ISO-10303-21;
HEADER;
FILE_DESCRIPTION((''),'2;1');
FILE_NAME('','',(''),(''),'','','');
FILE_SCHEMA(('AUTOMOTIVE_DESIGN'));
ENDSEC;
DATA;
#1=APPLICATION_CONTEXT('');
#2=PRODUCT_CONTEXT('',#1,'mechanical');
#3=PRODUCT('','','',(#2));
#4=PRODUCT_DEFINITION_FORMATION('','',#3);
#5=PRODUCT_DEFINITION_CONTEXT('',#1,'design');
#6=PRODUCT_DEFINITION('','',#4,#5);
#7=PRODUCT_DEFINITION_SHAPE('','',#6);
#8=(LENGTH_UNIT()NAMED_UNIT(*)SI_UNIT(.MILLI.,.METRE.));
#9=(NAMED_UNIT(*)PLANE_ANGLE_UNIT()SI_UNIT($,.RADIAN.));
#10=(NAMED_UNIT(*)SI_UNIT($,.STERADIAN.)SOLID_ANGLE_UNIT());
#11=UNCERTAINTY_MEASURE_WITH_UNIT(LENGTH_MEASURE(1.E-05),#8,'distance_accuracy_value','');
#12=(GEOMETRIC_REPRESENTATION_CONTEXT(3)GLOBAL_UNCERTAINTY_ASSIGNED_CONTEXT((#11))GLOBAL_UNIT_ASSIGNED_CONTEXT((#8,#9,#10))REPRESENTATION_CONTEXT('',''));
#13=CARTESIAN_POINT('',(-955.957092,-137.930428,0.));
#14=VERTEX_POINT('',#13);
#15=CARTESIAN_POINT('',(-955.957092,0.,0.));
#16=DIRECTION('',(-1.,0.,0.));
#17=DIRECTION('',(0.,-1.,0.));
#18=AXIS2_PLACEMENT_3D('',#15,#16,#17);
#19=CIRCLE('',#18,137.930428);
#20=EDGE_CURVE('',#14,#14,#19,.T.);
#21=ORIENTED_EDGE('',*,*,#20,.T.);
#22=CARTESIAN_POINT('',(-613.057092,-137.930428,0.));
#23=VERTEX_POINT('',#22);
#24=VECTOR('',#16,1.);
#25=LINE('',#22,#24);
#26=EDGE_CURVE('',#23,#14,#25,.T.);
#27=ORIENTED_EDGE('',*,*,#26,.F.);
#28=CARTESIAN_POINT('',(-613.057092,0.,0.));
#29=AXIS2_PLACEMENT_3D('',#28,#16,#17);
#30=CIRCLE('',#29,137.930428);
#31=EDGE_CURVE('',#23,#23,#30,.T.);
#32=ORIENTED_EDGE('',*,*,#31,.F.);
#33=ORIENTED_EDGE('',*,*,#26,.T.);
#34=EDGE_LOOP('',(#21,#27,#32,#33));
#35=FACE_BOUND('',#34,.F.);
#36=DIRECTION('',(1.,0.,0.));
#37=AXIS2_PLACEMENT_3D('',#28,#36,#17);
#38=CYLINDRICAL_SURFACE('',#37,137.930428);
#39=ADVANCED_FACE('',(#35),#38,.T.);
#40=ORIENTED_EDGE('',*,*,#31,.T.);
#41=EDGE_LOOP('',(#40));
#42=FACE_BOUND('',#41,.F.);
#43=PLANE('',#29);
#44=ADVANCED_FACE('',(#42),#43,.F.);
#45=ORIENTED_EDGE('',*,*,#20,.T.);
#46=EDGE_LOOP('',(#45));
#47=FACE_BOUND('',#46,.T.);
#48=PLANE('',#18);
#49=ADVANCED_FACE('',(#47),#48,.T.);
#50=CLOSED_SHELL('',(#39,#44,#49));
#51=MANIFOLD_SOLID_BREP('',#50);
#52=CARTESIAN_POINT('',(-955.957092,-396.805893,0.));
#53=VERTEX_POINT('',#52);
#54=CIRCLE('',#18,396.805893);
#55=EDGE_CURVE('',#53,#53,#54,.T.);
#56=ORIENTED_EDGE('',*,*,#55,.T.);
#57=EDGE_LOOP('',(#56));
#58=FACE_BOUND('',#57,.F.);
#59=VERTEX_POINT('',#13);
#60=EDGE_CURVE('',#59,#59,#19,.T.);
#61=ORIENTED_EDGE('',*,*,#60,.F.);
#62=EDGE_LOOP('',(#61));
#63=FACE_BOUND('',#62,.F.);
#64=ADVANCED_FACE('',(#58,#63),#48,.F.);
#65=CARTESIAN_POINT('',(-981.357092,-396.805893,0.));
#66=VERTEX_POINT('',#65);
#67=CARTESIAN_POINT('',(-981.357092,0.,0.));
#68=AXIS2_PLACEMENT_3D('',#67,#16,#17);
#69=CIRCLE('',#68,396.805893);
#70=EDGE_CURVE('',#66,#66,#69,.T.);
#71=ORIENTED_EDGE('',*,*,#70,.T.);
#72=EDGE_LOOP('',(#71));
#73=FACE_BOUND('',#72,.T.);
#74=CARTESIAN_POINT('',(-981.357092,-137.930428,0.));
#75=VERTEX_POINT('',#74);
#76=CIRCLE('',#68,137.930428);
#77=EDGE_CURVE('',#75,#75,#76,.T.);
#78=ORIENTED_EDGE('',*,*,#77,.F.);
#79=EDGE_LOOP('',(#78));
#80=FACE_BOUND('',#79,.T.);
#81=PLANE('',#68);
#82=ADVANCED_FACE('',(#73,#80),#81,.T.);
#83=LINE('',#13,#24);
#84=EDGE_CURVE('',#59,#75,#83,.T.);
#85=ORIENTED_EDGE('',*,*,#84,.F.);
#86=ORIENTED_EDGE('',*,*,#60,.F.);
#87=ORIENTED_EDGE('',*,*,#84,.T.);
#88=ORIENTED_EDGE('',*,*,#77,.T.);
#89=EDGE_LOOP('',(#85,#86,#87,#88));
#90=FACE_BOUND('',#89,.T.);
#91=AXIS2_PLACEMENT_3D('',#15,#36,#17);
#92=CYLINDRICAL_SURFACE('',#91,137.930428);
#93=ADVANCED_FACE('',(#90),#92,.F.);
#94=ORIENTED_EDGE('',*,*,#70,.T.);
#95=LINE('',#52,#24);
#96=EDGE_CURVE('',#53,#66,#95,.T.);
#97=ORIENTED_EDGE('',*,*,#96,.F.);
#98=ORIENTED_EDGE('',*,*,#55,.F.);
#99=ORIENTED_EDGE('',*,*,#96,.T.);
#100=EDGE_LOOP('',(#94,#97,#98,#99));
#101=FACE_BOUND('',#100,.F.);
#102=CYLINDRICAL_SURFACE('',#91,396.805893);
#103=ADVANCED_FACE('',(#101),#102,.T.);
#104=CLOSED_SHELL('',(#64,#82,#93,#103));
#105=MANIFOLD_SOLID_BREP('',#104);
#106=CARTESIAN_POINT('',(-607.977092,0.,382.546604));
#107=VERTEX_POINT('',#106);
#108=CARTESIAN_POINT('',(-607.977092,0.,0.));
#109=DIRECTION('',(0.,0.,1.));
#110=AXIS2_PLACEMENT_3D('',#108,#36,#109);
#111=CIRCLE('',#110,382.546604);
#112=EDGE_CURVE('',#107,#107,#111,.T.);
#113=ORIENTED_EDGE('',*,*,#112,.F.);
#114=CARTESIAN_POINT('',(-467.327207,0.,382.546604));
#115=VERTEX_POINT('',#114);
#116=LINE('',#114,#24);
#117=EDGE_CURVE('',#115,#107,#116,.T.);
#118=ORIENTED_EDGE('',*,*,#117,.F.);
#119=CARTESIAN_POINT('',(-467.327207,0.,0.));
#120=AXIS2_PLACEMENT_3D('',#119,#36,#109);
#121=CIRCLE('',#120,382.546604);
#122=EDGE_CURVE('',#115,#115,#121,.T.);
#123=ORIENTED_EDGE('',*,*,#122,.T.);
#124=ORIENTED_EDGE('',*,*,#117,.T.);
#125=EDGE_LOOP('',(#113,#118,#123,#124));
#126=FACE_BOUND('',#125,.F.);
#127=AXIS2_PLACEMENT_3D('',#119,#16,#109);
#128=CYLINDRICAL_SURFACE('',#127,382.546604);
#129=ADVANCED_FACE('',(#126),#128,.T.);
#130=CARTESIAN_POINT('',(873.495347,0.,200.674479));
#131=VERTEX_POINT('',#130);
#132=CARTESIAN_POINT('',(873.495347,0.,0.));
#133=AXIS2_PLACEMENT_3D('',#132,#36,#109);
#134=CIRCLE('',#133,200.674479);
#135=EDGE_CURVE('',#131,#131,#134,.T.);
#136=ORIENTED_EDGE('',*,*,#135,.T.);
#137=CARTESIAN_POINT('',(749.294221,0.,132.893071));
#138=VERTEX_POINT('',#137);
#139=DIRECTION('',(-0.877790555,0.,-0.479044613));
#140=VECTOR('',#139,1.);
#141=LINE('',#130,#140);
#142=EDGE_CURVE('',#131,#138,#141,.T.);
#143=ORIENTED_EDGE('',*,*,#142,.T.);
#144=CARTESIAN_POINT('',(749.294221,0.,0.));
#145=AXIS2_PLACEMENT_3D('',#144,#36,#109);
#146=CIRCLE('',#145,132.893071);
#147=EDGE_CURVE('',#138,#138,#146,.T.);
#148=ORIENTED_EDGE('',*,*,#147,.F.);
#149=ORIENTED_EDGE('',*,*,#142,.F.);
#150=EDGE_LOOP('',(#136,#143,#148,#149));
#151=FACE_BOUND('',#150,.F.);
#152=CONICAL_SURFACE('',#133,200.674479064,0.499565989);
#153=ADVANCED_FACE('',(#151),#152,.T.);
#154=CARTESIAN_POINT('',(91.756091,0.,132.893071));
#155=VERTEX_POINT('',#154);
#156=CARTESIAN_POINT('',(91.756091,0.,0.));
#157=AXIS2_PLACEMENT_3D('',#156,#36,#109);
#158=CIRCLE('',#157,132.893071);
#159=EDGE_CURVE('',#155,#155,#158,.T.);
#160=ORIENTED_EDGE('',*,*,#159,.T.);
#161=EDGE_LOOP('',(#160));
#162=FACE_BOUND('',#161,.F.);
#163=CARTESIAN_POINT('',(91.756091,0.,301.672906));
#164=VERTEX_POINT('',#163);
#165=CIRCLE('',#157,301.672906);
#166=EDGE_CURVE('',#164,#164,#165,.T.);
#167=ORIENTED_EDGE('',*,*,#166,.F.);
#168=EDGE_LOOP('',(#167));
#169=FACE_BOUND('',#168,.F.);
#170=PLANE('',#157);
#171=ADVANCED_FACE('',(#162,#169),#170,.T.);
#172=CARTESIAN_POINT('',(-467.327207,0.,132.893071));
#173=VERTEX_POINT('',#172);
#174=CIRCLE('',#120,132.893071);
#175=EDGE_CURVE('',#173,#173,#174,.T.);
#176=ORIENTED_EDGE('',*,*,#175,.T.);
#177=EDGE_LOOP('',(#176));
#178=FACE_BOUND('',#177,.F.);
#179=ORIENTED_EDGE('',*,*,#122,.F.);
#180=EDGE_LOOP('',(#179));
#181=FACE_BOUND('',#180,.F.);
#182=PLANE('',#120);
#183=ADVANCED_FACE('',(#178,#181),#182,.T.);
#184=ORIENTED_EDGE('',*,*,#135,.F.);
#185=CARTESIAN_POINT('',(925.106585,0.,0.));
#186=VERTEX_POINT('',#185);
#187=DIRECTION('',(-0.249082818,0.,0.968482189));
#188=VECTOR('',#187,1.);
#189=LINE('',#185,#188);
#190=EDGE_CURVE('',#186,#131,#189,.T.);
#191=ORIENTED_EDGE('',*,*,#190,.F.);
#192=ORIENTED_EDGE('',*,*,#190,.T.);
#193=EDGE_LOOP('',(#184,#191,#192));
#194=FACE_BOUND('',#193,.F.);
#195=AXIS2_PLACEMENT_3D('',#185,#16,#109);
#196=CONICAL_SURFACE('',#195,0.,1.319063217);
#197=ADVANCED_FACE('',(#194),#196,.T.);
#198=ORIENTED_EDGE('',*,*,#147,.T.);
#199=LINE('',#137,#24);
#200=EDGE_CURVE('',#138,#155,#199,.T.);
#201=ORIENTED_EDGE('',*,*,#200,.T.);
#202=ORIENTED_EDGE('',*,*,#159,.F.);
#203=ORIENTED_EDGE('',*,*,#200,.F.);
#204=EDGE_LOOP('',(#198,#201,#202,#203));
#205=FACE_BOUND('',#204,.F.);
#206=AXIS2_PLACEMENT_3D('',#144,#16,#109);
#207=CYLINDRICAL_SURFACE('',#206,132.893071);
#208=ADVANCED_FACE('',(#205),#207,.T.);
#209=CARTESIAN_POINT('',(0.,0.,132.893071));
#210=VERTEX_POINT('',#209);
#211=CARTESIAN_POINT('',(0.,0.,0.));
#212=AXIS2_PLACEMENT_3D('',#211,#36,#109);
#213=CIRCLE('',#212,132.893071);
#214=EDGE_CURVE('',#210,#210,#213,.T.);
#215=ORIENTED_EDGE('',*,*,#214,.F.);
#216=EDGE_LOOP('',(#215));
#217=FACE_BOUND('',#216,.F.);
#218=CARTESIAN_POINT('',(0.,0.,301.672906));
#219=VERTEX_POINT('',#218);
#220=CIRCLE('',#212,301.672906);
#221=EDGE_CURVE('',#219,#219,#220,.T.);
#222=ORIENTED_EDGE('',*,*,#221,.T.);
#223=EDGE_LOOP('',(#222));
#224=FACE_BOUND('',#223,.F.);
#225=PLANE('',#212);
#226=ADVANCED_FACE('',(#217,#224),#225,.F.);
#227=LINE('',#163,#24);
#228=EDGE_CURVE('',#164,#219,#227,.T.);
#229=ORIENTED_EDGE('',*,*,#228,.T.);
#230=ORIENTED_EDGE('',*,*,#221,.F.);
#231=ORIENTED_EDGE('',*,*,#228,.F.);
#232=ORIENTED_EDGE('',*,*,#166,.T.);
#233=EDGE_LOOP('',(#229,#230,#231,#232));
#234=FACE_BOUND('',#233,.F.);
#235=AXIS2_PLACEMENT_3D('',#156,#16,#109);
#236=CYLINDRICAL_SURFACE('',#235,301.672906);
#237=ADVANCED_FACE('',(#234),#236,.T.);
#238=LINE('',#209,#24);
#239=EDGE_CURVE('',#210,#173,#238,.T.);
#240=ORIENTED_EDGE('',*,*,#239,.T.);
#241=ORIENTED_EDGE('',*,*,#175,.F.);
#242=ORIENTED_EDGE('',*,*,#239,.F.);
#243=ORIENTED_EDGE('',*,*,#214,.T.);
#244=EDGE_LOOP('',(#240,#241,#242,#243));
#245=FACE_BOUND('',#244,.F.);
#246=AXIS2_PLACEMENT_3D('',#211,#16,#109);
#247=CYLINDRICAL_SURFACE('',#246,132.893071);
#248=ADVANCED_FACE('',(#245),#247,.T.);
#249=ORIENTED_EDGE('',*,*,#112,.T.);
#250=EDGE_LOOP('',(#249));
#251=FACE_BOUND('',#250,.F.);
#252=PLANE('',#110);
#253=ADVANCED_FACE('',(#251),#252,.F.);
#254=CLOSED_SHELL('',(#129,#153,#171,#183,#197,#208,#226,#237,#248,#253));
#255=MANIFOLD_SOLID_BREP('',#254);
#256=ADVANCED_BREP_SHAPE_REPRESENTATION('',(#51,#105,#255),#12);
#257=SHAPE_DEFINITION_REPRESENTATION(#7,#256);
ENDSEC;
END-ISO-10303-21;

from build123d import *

# Parameters (mm, degrees)
F3_START = 5.08
F2_R     = 137.9304281911
F3_DEPTH = 342.9
F4_R     = 396.8058928466
F4_R_2   = 137.9304281911
F5_DEPTH = 25.4


with BuildPart() as f1:
    # F0 (on Front) → F1 (revolve)
    with BuildSketch(Plane.XZ):
        Polygon((-607.9770922661, 382.5466036797), (-607.9770922661, 0), (925.1065850258, 0), (873.4953469969, 200.6744790645), (749.2942214012, 132.8930705786), (91.7560905218, 132.8930705786), (91.7560905218, 301.6729056835), (0, 301.6729056835), (0, 132.8930705786), (-467.3272073269, 132.8930705786), (-467.3272073269, 382.5466036797), align=None)
    revolve(axis=Axis((158.5647463799, 0, 0), (1, 0, 0)))


with BuildPart() as f3:
    # F2 (on face) → F3 (new body)
    with BuildSketch(Plane(origin=(-607.9770922661, 0, 0), x_dir=(0, -1, 0), z_dir=(-1, 0, 0)).offset(F3_START)):
        Circle(F2_R)
    extrude(amount=F3_DEPTH)


with BuildPart() as f5:
    # F4 (on face) → F5 (new body)
    with BuildSketch(Plane(origin=(-955.9570922661, 0, 0), x_dir=(0, -1, 0), z_dir=(-1, 0, 0))):
        Circle(F4_R)
        Circle(F4_R_2, mode=Mode.SUBTRACT)
    extrude(amount=F5_DEPTH)


solid = Compound([f1.part, f3.part, f5.part])
